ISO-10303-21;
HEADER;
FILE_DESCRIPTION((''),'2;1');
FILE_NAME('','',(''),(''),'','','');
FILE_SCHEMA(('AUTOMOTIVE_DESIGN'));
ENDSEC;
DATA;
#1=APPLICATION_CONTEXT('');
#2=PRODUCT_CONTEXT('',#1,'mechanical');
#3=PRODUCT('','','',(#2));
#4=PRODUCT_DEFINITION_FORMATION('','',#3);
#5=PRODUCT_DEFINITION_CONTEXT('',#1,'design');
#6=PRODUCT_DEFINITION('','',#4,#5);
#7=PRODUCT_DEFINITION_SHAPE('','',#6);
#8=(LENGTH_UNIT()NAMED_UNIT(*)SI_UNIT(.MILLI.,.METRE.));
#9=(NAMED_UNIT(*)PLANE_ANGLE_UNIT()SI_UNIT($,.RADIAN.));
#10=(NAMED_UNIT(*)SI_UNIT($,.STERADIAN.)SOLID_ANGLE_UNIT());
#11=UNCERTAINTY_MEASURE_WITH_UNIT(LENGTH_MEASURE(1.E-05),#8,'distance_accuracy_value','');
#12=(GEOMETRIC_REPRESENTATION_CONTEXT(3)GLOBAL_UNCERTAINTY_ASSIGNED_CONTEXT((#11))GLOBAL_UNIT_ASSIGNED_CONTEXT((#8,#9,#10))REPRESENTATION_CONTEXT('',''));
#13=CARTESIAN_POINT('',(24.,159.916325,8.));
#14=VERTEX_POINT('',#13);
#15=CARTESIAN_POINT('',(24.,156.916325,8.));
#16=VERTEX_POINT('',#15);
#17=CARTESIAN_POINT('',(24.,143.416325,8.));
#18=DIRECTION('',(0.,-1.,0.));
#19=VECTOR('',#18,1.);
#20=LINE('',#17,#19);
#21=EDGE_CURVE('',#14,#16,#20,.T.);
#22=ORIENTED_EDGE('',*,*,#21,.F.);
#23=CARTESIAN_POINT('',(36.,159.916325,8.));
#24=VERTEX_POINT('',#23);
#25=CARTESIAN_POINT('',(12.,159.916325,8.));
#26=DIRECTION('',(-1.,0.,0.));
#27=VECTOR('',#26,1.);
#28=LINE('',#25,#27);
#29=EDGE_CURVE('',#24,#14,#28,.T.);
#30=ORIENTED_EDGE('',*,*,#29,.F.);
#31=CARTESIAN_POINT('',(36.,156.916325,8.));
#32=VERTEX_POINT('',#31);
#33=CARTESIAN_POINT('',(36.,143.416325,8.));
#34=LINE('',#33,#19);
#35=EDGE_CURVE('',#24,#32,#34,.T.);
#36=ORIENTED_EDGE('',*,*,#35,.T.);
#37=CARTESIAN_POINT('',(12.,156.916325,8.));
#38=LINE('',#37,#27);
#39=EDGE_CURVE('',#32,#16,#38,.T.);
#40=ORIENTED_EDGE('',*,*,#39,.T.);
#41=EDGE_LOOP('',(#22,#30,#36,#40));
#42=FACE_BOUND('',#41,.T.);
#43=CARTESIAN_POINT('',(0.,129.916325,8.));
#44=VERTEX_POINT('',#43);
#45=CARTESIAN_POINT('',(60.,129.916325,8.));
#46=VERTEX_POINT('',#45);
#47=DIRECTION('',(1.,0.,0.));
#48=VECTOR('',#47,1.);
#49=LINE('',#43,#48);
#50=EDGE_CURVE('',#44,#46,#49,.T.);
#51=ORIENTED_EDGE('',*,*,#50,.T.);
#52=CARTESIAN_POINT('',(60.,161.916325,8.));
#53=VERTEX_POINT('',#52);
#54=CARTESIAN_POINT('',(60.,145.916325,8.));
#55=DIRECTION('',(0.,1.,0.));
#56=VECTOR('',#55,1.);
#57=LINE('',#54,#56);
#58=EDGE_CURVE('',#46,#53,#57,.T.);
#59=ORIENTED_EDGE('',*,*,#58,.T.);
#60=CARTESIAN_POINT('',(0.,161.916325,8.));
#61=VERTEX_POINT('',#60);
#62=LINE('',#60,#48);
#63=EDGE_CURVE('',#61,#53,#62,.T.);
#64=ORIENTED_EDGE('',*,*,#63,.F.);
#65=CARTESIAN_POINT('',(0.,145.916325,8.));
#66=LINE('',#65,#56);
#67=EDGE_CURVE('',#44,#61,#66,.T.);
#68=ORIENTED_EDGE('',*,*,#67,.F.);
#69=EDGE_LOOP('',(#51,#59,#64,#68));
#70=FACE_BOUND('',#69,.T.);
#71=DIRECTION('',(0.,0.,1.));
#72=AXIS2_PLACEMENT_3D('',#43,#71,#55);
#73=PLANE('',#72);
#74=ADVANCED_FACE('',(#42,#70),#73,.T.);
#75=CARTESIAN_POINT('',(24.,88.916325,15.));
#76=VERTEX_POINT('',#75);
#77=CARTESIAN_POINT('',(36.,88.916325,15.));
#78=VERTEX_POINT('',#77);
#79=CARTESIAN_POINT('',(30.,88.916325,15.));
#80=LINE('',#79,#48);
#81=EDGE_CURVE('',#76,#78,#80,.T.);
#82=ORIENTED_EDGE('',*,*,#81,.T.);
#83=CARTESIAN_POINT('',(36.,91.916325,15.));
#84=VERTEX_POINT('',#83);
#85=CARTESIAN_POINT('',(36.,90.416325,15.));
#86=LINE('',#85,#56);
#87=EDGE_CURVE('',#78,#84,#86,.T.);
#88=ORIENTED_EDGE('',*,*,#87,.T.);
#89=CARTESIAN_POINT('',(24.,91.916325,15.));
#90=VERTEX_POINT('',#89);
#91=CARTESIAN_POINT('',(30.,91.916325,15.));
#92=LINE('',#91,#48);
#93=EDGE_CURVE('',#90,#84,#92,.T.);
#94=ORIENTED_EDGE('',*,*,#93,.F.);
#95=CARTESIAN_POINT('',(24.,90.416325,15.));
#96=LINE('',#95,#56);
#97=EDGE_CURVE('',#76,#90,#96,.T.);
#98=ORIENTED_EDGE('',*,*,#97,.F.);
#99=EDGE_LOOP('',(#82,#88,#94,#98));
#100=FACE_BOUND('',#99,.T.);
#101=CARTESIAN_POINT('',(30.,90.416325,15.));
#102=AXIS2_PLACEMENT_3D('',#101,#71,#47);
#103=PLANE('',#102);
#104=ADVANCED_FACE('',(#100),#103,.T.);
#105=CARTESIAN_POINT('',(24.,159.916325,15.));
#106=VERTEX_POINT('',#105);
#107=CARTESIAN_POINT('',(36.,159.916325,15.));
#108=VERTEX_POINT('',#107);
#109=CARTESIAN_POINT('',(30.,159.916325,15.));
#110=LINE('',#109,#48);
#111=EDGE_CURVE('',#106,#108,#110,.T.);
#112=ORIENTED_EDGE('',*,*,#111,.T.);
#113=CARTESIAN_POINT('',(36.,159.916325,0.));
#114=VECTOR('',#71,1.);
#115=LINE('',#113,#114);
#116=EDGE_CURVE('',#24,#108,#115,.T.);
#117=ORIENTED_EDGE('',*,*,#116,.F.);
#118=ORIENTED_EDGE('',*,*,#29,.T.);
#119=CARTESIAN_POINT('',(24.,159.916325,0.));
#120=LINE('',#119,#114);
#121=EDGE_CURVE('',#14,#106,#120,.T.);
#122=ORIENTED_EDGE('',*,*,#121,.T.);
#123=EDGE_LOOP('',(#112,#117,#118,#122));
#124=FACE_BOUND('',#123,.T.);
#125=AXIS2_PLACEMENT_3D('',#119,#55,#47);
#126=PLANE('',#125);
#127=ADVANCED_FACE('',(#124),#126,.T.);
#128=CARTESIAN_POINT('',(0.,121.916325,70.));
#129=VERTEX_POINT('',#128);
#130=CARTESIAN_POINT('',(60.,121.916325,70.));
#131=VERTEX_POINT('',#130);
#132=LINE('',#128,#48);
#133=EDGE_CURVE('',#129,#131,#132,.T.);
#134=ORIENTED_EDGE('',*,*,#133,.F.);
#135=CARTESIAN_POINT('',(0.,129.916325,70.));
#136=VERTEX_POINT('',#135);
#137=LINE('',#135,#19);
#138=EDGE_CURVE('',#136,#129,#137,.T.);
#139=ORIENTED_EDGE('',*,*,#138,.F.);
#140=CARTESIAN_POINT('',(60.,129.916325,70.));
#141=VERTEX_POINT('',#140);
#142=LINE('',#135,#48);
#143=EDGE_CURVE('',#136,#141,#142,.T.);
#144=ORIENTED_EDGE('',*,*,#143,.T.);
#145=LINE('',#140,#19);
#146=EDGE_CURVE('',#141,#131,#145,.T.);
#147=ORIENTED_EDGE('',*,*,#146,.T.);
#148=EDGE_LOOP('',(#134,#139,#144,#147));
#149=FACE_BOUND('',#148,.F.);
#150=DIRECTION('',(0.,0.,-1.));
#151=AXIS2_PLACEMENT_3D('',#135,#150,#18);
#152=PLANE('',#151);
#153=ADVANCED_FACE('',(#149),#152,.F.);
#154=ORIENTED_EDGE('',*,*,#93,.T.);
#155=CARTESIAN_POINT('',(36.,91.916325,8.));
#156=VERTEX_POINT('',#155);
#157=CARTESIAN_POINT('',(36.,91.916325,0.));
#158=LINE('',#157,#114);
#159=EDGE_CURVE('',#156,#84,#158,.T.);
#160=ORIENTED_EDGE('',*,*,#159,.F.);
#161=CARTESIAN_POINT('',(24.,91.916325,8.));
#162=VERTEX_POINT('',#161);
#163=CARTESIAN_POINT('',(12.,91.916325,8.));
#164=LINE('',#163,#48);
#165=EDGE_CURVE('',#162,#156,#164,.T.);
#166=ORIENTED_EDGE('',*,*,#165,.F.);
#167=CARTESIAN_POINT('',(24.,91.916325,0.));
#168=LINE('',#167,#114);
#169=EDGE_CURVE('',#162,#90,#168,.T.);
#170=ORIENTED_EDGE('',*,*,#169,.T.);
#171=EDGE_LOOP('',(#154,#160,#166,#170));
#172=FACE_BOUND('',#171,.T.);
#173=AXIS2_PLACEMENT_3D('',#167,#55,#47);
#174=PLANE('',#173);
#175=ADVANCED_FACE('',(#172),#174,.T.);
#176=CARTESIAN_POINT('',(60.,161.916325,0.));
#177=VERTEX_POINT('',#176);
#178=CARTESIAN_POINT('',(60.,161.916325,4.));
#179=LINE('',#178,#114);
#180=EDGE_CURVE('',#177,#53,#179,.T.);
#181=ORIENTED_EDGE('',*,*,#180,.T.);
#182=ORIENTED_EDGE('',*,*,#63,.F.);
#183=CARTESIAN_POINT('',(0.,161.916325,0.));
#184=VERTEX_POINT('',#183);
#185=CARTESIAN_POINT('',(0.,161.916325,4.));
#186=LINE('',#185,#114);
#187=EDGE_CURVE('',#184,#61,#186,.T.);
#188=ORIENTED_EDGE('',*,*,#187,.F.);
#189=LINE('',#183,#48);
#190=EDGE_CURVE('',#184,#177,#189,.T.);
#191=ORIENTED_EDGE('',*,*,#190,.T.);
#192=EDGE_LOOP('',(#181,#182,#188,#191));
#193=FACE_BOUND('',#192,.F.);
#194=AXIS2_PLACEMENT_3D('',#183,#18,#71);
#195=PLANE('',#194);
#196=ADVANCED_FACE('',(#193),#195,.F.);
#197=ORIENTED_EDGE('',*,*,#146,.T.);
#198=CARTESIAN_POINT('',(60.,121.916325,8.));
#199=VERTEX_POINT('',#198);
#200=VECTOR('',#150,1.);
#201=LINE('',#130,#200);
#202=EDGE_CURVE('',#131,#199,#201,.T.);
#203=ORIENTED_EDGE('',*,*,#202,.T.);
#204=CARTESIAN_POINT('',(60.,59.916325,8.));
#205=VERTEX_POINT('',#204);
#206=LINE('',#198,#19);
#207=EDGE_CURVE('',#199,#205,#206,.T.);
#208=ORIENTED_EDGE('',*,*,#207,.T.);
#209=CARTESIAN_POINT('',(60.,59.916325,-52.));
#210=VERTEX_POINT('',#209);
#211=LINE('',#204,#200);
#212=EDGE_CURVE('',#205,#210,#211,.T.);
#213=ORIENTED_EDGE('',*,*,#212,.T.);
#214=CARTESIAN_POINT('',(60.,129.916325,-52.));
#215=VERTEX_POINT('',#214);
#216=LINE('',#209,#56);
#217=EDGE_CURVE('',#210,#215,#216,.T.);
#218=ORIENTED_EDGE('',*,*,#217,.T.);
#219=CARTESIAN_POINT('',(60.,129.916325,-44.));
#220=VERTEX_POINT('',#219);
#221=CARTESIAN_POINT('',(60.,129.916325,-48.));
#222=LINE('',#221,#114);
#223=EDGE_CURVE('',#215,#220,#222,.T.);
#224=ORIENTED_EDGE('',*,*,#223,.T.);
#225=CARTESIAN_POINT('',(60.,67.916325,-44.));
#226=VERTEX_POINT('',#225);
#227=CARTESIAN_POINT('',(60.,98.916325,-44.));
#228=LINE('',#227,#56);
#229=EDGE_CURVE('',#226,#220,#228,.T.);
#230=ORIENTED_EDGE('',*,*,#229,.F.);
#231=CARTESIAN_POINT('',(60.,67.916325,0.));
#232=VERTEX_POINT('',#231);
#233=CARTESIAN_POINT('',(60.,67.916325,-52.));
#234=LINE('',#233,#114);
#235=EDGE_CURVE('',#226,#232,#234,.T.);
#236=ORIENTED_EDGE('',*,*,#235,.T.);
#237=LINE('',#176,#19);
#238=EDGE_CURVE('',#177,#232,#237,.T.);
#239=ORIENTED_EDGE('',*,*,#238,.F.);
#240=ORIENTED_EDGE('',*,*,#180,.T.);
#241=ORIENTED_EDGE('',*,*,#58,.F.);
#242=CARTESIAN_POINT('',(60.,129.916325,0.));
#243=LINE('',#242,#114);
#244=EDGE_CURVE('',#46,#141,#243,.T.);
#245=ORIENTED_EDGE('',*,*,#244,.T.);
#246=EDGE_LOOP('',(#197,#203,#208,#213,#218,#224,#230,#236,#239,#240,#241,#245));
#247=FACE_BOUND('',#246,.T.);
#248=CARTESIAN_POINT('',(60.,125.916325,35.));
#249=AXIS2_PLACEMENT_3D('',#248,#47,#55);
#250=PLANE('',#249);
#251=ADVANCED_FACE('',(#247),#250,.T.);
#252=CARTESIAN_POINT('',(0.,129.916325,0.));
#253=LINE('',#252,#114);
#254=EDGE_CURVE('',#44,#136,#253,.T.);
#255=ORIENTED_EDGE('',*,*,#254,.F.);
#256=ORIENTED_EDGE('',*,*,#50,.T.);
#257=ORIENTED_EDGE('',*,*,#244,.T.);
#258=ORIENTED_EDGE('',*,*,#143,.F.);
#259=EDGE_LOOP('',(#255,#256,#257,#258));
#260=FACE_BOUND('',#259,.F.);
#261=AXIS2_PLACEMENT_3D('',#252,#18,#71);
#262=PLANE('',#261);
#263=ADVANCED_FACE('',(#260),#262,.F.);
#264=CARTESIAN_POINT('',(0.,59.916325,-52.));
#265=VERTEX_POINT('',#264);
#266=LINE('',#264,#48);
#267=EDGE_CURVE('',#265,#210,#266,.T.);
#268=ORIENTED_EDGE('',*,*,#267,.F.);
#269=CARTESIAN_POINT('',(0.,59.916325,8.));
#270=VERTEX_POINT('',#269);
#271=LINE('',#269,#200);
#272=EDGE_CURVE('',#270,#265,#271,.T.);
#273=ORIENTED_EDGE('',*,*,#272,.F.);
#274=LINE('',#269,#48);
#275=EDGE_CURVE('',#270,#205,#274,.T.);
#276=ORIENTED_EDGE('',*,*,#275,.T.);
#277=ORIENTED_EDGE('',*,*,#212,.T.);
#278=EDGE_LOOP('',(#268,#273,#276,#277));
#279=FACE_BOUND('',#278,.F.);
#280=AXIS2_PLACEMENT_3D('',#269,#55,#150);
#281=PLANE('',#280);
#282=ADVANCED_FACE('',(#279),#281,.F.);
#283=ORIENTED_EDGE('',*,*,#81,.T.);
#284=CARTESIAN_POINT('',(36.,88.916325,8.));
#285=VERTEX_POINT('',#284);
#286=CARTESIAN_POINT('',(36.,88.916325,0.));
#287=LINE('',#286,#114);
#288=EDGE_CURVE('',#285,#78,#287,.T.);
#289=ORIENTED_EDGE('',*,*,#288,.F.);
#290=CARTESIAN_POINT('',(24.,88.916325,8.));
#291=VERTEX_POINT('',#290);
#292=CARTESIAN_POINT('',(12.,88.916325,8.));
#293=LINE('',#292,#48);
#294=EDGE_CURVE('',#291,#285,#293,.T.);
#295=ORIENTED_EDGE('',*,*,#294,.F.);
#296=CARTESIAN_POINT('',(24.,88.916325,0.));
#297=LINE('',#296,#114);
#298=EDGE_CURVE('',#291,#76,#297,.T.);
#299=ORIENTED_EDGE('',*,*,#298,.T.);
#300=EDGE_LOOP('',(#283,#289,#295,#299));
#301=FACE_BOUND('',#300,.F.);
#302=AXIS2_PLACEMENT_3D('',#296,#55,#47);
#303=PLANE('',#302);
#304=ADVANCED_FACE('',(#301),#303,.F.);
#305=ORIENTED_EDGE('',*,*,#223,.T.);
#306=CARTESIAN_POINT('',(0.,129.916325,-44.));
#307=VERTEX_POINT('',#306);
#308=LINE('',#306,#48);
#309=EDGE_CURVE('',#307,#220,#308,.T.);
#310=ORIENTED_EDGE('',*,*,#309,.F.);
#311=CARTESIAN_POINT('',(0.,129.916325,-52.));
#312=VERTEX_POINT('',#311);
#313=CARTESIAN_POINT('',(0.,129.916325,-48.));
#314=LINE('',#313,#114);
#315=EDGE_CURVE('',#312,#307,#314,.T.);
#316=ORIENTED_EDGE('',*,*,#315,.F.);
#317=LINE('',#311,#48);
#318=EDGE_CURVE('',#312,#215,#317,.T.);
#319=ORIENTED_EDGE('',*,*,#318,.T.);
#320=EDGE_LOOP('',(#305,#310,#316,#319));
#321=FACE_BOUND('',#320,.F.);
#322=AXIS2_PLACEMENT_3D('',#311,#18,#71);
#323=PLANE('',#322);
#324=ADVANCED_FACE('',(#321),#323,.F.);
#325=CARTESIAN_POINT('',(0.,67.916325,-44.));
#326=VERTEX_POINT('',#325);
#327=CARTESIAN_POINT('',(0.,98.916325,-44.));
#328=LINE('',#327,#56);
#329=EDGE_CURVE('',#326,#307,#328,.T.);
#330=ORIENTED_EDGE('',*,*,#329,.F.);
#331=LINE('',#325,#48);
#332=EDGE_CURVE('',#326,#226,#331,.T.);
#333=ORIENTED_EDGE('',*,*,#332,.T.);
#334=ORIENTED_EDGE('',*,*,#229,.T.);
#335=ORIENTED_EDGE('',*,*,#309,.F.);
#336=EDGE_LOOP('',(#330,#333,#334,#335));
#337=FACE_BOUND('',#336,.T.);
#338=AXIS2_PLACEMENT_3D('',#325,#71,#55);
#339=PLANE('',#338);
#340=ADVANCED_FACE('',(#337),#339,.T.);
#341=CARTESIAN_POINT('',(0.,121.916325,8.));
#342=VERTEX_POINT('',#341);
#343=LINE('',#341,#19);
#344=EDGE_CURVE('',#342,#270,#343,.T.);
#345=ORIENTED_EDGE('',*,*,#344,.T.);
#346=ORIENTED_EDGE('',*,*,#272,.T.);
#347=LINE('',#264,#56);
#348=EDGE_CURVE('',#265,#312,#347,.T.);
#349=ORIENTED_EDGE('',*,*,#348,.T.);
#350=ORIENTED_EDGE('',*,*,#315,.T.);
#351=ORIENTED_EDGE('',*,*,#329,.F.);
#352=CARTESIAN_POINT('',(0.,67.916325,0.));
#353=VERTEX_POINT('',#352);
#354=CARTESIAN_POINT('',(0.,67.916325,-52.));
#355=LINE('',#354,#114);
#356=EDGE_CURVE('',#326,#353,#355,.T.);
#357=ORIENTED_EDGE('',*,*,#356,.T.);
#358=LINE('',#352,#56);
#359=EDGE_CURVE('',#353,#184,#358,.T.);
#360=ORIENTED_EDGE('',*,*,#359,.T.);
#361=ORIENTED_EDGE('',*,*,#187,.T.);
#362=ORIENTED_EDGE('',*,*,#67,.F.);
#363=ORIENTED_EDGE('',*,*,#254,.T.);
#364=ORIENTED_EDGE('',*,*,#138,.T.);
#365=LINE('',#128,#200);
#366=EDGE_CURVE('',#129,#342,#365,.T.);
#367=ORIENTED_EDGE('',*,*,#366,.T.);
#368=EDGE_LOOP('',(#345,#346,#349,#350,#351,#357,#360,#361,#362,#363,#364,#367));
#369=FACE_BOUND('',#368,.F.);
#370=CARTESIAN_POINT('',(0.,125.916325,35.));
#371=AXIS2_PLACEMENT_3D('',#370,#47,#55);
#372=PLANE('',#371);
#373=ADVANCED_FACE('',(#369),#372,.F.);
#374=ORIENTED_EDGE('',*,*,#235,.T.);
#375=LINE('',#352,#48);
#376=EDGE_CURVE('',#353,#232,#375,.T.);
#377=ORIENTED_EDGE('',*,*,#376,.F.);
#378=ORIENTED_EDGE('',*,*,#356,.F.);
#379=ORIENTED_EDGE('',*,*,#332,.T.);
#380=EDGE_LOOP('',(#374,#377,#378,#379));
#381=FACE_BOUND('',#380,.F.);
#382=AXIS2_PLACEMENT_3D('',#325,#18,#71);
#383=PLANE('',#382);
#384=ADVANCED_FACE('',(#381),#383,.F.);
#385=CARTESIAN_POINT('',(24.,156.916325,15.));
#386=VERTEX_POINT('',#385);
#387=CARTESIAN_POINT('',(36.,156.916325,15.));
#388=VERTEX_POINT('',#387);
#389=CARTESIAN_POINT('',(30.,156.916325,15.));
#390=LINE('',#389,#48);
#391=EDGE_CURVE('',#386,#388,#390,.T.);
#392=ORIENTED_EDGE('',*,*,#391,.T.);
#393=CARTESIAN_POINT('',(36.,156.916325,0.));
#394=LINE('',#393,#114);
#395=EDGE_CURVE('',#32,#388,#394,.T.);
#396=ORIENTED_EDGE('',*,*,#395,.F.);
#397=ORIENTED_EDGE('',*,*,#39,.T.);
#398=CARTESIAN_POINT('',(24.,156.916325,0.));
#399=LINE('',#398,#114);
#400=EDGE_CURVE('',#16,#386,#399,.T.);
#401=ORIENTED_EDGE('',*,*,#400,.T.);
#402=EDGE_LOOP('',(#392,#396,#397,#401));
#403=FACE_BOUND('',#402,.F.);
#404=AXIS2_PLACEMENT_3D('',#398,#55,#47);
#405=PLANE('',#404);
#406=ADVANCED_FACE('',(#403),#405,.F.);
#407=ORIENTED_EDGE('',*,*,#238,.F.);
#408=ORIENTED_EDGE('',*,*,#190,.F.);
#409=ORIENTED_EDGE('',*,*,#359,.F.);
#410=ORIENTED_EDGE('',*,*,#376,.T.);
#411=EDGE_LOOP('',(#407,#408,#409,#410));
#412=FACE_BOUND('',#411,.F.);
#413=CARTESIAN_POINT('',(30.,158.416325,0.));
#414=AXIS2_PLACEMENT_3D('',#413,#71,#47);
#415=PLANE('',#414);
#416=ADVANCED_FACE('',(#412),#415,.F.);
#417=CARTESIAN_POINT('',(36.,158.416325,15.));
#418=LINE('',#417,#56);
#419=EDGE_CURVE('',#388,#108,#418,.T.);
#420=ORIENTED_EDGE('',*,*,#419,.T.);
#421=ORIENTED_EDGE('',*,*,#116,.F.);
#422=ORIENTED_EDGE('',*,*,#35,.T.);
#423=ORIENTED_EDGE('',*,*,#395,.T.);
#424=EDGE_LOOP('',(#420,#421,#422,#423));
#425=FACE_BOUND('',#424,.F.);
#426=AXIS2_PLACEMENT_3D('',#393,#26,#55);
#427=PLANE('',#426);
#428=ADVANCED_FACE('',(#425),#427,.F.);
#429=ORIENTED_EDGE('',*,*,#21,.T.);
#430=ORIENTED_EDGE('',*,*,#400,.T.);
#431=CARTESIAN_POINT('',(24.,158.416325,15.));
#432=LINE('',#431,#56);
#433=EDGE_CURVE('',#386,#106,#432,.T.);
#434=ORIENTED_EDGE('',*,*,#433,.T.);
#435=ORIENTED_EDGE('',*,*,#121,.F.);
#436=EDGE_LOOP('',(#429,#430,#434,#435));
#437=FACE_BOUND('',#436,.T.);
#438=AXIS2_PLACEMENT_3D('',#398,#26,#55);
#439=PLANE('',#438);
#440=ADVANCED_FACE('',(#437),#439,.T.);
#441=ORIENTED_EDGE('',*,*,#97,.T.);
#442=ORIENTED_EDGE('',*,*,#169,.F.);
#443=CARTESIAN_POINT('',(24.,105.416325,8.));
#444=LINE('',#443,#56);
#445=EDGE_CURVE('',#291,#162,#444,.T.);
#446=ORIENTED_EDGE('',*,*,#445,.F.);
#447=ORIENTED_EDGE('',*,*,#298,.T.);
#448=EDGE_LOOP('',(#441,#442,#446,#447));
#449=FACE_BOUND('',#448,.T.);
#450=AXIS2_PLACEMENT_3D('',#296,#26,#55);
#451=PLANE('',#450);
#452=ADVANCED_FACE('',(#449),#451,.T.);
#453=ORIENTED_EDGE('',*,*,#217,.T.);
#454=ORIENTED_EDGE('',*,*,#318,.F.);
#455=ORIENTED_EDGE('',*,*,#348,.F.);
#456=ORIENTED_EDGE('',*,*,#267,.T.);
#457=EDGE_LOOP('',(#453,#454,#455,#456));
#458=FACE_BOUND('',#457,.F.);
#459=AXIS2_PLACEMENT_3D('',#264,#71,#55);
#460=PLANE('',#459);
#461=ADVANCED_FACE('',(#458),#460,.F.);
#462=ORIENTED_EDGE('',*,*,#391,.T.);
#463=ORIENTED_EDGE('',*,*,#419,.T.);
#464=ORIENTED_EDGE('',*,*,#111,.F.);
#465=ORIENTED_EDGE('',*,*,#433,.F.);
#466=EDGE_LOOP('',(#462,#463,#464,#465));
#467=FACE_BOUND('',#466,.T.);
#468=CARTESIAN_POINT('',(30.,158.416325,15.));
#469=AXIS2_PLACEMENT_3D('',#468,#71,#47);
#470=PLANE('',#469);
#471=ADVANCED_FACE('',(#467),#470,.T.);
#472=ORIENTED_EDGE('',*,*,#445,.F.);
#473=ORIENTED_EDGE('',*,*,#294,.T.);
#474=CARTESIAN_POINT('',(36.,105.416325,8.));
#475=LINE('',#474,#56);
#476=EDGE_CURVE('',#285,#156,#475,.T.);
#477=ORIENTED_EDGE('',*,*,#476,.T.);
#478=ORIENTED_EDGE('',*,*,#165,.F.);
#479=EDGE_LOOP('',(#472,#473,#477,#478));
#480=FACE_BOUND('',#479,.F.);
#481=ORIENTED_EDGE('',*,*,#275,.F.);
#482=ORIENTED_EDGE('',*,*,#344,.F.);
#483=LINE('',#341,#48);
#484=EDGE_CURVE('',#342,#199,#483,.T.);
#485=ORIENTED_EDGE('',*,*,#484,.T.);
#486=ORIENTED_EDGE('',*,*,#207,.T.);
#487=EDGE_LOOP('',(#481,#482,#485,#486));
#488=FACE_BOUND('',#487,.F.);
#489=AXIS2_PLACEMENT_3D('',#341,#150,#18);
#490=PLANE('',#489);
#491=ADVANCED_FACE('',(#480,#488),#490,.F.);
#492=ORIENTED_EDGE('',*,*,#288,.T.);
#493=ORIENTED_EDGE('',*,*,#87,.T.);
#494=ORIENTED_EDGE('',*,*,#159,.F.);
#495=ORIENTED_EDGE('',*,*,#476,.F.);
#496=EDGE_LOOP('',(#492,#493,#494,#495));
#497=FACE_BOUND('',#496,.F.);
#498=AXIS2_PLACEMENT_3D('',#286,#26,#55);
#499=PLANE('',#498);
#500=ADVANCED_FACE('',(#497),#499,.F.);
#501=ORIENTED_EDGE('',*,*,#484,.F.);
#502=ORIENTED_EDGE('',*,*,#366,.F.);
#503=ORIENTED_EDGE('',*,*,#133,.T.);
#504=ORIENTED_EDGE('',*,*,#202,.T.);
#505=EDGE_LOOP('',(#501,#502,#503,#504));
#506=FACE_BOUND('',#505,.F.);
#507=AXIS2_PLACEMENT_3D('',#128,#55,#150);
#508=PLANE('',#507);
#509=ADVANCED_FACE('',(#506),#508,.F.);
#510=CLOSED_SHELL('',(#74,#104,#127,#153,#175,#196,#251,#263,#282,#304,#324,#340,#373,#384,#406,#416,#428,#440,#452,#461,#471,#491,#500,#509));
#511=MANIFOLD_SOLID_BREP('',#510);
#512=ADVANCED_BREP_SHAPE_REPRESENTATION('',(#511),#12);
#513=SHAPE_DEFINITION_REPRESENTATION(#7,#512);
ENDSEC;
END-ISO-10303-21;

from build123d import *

# Parameters (mm, degrees)
F0_W     = 62
F0_H     = 8
F1_DEPTH = 60
F2_W     = 12
F2_H     = 3
F3_DEPTH = 15
F4_W     = 8
F4_H     = 62
F4_W_2   = 32
F4_H_2   = 8
F5_DEPTH = 60
F6_W     = 12
F6_H     = 3
F7_DEPTH = 15


with BuildPart() as f1:
    # F0 (on Right) → F1 (new body)
    with BuildSketch(Plane.YZ):
        Polygon((129.916325, 0), (129.916325, 70), (121.916325, 70), (121.916325, 8), (121.916325, 0), align=None)
        Polygon((121.916325, 0), (121.916325, 8), (59.916325, 8), (59.916325, 0), (67.916325, 0), align=None)
        Polygon((67.916325, -44), (67.916325, 0), (59.916325, 0), (59.916325, -52), (67.916325, -52), align=None)
        with Locations((98.916325, -48)):
            Rectangle(F0_W, F0_H)
    extrude(amount=F1_DEPTH)

    # F2 (on Top) → F3 (join)
    with BuildSketch(Plane.XY):
        with Locations((30, 90.416325)):
            Rectangle(F2_W, F2_H)
    extrude(amount=F3_DEPTH)

    # F4 (on Right) → F5 (join)
    with BuildSketch(Plane.YZ):
        with Locations((125.916325, 39)):
            Rectangle(F4_W, F4_H)
        with Locations((145.916325, 4)):
            Rectangle(F4_W_2, F4_H_2)
        with Locations((125.916325, 4)):
            Rectangle(F4_W, F4_H_2)
        Polygon((121.916325, 0), (121.916325, 8), (59.916325, 8), (59.916325, -52), (129.916325, -52), (129.916325, -44), (67.916325, -44), (67.916325, 0), align=None)
    extrude(amount=F5_DEPTH)

    # F6 (on Top) → F7 (join)
    with BuildSketch(Plane.XY):
        with Locations((30, 158.416325)):
            Rectangle(F6_W, F6_H)
    extrude(amount=F7_DEPTH)


solid = f1.part
